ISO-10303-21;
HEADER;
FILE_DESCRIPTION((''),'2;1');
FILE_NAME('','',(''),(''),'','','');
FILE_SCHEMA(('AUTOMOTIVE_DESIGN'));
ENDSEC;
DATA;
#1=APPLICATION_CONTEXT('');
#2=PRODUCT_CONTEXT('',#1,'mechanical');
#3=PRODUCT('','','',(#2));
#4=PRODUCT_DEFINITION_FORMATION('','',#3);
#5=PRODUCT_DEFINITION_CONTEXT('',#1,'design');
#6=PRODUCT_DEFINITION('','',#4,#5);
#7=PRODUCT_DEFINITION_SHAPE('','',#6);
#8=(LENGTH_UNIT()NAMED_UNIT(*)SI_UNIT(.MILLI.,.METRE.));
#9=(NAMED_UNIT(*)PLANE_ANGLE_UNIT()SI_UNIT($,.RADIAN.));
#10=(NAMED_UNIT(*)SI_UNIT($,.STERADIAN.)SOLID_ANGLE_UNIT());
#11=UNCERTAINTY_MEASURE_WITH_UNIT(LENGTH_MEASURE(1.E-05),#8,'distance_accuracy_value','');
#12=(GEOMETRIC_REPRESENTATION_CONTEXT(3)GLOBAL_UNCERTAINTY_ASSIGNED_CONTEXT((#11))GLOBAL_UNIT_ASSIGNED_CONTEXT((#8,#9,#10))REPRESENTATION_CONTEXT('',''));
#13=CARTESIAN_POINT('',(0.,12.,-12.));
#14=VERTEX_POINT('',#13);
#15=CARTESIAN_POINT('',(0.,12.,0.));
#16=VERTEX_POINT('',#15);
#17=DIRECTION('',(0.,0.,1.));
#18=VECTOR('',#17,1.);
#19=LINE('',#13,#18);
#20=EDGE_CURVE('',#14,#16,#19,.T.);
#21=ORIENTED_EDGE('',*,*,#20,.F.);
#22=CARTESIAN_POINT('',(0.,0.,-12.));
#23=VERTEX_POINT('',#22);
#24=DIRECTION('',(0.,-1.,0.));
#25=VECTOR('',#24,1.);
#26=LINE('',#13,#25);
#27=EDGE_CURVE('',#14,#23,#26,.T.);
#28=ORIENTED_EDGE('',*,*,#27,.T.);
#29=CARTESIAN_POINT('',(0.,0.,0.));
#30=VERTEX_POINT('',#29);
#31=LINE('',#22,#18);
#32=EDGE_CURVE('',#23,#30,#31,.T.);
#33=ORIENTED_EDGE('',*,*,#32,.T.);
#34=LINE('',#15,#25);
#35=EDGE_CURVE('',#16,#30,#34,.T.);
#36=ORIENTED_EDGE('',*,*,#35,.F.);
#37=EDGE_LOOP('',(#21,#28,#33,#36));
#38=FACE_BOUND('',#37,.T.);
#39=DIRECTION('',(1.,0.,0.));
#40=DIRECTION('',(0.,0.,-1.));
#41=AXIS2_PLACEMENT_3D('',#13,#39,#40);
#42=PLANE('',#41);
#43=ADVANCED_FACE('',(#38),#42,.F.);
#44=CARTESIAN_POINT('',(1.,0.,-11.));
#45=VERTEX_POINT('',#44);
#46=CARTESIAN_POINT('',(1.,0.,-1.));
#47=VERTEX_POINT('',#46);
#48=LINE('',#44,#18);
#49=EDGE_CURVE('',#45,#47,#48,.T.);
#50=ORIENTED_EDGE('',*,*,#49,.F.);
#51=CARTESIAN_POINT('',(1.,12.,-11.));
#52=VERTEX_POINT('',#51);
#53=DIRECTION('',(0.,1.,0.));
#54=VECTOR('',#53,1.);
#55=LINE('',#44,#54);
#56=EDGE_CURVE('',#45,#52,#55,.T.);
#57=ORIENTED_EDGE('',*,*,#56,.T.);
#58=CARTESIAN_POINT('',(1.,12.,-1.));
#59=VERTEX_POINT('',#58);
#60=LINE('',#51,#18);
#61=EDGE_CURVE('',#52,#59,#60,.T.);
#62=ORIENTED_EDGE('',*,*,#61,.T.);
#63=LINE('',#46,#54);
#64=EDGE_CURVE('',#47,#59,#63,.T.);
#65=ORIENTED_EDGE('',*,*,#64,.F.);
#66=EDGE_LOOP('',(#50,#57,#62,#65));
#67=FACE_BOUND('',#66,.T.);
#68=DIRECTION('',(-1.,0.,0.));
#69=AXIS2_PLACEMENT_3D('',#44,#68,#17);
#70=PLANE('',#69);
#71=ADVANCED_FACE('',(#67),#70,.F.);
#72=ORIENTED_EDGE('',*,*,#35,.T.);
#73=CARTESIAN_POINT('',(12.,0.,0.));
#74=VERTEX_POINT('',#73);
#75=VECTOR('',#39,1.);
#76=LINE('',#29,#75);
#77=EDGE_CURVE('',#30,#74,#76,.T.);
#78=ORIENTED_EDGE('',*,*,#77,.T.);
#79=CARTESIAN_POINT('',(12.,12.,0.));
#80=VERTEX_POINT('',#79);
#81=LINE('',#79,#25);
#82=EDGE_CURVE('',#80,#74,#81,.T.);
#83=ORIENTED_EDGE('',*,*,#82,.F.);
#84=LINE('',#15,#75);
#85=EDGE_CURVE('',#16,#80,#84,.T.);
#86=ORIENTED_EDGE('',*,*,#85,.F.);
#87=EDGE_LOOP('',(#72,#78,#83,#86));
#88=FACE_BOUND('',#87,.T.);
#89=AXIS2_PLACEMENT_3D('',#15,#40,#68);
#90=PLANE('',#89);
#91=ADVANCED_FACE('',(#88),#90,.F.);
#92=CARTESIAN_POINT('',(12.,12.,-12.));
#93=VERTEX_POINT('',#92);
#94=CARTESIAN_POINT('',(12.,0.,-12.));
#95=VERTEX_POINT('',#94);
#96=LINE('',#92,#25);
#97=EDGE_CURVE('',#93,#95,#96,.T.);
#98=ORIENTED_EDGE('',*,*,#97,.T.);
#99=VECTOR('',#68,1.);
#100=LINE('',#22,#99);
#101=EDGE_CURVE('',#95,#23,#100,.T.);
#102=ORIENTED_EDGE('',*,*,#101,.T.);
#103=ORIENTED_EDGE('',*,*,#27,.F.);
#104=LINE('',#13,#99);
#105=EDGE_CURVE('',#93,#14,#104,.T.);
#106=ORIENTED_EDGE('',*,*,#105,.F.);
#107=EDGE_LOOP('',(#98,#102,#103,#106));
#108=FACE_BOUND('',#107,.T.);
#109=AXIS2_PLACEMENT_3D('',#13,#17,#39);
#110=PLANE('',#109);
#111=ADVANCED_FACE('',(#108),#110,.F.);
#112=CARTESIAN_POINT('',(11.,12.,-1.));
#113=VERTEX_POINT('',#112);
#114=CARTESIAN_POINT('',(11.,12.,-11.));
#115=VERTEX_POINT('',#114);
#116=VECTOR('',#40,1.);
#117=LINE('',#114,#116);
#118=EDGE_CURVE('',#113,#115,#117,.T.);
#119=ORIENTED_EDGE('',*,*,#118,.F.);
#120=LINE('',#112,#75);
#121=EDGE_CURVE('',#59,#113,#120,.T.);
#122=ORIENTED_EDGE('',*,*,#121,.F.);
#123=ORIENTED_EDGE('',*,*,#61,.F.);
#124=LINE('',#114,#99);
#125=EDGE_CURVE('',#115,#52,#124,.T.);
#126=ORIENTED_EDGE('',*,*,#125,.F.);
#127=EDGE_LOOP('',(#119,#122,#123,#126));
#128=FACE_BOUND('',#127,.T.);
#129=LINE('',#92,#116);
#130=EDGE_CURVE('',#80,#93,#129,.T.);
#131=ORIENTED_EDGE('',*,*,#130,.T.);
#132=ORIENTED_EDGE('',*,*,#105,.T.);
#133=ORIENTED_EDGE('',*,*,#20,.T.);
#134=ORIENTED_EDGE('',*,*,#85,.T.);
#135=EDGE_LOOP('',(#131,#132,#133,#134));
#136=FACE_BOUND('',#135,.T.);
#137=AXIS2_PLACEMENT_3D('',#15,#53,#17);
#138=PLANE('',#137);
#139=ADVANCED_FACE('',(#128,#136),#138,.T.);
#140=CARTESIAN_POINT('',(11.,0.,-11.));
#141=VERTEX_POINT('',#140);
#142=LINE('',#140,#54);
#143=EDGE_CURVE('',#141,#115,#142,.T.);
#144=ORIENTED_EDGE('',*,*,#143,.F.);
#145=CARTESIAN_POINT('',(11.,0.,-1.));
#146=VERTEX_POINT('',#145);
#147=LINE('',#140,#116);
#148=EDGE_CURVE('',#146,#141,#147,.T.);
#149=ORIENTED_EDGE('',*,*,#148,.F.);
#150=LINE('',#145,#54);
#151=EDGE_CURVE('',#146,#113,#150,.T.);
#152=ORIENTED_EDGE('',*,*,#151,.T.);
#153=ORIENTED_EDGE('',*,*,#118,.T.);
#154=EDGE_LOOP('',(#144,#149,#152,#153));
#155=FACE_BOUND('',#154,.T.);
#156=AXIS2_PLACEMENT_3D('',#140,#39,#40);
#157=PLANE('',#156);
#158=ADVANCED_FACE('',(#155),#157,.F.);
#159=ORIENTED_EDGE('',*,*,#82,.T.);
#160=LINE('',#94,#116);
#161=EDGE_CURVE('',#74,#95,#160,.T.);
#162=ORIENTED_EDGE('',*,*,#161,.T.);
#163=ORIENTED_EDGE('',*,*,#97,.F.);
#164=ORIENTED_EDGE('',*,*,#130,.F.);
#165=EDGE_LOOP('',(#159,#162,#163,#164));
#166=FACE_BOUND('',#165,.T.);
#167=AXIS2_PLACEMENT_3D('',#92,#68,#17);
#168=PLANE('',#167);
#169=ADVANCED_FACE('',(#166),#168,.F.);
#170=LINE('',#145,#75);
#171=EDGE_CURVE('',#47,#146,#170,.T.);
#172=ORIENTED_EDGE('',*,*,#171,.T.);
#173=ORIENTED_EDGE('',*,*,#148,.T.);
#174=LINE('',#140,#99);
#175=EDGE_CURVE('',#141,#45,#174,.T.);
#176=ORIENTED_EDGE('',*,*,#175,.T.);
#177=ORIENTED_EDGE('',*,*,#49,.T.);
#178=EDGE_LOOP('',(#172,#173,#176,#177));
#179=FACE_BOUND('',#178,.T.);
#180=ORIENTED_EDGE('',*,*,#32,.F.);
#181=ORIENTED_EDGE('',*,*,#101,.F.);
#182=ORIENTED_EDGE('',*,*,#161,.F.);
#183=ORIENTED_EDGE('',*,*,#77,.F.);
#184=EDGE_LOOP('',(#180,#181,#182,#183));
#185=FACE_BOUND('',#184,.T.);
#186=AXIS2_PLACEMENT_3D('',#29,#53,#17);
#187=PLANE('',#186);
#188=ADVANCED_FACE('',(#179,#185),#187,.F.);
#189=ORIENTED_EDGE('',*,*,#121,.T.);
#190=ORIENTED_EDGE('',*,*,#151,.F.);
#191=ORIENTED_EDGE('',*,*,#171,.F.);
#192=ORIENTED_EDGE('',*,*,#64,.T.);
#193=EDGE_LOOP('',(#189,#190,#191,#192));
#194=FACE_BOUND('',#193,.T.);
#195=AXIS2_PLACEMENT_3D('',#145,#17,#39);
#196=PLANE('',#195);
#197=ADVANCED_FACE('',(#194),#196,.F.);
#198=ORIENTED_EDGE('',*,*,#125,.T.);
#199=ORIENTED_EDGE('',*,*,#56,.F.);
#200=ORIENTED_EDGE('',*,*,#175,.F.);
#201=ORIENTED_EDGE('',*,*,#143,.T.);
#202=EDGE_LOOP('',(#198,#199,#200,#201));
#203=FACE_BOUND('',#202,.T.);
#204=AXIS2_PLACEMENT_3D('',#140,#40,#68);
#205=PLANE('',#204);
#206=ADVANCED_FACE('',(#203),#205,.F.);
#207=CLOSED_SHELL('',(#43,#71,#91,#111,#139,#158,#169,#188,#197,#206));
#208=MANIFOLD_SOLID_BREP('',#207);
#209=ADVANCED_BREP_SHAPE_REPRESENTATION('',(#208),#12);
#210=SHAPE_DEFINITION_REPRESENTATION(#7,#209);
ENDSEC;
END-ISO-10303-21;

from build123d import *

# Parameters (mm, degrees)
SKETCH1_W           = 12
SKETCH1_H           = 12
BOSS_EXTRUDE1_DEPTH = 12
SKETCH2_W           = 10
SKETCH2_H           = 10
CUT_EXTRUDE1_DEPTH  = 13


with BuildPart() as part:
    # Sketch1 → Boss-Extrude1 (new body)
    with BuildSketch(Plane(origin=(0, 0, 0), x_dir=(1, 0, 0), z_dir=(0, 1, 0))):
        with Locations((6, 6)):
            Rectangle(SKETCH1_W, SKETCH1_H)
    extrude(amount=BOSS_EXTRUDE1_DEPTH)

    # Sketch2 → Cut-Extrude1 (cut, through all)
    with BuildSketch(Plane(origin=(0, 12, 0), x_dir=(1, 0, 0), z_dir=(0, 1, 0))):
        with Locations((6, 6)):
            Rectangle(SKETCH2_W, SKETCH2_H)
    extrude(amount=-CUT_EXTRUDE1_DEPTH, mode=Mode.SUBTRACT)


solid = part.part
